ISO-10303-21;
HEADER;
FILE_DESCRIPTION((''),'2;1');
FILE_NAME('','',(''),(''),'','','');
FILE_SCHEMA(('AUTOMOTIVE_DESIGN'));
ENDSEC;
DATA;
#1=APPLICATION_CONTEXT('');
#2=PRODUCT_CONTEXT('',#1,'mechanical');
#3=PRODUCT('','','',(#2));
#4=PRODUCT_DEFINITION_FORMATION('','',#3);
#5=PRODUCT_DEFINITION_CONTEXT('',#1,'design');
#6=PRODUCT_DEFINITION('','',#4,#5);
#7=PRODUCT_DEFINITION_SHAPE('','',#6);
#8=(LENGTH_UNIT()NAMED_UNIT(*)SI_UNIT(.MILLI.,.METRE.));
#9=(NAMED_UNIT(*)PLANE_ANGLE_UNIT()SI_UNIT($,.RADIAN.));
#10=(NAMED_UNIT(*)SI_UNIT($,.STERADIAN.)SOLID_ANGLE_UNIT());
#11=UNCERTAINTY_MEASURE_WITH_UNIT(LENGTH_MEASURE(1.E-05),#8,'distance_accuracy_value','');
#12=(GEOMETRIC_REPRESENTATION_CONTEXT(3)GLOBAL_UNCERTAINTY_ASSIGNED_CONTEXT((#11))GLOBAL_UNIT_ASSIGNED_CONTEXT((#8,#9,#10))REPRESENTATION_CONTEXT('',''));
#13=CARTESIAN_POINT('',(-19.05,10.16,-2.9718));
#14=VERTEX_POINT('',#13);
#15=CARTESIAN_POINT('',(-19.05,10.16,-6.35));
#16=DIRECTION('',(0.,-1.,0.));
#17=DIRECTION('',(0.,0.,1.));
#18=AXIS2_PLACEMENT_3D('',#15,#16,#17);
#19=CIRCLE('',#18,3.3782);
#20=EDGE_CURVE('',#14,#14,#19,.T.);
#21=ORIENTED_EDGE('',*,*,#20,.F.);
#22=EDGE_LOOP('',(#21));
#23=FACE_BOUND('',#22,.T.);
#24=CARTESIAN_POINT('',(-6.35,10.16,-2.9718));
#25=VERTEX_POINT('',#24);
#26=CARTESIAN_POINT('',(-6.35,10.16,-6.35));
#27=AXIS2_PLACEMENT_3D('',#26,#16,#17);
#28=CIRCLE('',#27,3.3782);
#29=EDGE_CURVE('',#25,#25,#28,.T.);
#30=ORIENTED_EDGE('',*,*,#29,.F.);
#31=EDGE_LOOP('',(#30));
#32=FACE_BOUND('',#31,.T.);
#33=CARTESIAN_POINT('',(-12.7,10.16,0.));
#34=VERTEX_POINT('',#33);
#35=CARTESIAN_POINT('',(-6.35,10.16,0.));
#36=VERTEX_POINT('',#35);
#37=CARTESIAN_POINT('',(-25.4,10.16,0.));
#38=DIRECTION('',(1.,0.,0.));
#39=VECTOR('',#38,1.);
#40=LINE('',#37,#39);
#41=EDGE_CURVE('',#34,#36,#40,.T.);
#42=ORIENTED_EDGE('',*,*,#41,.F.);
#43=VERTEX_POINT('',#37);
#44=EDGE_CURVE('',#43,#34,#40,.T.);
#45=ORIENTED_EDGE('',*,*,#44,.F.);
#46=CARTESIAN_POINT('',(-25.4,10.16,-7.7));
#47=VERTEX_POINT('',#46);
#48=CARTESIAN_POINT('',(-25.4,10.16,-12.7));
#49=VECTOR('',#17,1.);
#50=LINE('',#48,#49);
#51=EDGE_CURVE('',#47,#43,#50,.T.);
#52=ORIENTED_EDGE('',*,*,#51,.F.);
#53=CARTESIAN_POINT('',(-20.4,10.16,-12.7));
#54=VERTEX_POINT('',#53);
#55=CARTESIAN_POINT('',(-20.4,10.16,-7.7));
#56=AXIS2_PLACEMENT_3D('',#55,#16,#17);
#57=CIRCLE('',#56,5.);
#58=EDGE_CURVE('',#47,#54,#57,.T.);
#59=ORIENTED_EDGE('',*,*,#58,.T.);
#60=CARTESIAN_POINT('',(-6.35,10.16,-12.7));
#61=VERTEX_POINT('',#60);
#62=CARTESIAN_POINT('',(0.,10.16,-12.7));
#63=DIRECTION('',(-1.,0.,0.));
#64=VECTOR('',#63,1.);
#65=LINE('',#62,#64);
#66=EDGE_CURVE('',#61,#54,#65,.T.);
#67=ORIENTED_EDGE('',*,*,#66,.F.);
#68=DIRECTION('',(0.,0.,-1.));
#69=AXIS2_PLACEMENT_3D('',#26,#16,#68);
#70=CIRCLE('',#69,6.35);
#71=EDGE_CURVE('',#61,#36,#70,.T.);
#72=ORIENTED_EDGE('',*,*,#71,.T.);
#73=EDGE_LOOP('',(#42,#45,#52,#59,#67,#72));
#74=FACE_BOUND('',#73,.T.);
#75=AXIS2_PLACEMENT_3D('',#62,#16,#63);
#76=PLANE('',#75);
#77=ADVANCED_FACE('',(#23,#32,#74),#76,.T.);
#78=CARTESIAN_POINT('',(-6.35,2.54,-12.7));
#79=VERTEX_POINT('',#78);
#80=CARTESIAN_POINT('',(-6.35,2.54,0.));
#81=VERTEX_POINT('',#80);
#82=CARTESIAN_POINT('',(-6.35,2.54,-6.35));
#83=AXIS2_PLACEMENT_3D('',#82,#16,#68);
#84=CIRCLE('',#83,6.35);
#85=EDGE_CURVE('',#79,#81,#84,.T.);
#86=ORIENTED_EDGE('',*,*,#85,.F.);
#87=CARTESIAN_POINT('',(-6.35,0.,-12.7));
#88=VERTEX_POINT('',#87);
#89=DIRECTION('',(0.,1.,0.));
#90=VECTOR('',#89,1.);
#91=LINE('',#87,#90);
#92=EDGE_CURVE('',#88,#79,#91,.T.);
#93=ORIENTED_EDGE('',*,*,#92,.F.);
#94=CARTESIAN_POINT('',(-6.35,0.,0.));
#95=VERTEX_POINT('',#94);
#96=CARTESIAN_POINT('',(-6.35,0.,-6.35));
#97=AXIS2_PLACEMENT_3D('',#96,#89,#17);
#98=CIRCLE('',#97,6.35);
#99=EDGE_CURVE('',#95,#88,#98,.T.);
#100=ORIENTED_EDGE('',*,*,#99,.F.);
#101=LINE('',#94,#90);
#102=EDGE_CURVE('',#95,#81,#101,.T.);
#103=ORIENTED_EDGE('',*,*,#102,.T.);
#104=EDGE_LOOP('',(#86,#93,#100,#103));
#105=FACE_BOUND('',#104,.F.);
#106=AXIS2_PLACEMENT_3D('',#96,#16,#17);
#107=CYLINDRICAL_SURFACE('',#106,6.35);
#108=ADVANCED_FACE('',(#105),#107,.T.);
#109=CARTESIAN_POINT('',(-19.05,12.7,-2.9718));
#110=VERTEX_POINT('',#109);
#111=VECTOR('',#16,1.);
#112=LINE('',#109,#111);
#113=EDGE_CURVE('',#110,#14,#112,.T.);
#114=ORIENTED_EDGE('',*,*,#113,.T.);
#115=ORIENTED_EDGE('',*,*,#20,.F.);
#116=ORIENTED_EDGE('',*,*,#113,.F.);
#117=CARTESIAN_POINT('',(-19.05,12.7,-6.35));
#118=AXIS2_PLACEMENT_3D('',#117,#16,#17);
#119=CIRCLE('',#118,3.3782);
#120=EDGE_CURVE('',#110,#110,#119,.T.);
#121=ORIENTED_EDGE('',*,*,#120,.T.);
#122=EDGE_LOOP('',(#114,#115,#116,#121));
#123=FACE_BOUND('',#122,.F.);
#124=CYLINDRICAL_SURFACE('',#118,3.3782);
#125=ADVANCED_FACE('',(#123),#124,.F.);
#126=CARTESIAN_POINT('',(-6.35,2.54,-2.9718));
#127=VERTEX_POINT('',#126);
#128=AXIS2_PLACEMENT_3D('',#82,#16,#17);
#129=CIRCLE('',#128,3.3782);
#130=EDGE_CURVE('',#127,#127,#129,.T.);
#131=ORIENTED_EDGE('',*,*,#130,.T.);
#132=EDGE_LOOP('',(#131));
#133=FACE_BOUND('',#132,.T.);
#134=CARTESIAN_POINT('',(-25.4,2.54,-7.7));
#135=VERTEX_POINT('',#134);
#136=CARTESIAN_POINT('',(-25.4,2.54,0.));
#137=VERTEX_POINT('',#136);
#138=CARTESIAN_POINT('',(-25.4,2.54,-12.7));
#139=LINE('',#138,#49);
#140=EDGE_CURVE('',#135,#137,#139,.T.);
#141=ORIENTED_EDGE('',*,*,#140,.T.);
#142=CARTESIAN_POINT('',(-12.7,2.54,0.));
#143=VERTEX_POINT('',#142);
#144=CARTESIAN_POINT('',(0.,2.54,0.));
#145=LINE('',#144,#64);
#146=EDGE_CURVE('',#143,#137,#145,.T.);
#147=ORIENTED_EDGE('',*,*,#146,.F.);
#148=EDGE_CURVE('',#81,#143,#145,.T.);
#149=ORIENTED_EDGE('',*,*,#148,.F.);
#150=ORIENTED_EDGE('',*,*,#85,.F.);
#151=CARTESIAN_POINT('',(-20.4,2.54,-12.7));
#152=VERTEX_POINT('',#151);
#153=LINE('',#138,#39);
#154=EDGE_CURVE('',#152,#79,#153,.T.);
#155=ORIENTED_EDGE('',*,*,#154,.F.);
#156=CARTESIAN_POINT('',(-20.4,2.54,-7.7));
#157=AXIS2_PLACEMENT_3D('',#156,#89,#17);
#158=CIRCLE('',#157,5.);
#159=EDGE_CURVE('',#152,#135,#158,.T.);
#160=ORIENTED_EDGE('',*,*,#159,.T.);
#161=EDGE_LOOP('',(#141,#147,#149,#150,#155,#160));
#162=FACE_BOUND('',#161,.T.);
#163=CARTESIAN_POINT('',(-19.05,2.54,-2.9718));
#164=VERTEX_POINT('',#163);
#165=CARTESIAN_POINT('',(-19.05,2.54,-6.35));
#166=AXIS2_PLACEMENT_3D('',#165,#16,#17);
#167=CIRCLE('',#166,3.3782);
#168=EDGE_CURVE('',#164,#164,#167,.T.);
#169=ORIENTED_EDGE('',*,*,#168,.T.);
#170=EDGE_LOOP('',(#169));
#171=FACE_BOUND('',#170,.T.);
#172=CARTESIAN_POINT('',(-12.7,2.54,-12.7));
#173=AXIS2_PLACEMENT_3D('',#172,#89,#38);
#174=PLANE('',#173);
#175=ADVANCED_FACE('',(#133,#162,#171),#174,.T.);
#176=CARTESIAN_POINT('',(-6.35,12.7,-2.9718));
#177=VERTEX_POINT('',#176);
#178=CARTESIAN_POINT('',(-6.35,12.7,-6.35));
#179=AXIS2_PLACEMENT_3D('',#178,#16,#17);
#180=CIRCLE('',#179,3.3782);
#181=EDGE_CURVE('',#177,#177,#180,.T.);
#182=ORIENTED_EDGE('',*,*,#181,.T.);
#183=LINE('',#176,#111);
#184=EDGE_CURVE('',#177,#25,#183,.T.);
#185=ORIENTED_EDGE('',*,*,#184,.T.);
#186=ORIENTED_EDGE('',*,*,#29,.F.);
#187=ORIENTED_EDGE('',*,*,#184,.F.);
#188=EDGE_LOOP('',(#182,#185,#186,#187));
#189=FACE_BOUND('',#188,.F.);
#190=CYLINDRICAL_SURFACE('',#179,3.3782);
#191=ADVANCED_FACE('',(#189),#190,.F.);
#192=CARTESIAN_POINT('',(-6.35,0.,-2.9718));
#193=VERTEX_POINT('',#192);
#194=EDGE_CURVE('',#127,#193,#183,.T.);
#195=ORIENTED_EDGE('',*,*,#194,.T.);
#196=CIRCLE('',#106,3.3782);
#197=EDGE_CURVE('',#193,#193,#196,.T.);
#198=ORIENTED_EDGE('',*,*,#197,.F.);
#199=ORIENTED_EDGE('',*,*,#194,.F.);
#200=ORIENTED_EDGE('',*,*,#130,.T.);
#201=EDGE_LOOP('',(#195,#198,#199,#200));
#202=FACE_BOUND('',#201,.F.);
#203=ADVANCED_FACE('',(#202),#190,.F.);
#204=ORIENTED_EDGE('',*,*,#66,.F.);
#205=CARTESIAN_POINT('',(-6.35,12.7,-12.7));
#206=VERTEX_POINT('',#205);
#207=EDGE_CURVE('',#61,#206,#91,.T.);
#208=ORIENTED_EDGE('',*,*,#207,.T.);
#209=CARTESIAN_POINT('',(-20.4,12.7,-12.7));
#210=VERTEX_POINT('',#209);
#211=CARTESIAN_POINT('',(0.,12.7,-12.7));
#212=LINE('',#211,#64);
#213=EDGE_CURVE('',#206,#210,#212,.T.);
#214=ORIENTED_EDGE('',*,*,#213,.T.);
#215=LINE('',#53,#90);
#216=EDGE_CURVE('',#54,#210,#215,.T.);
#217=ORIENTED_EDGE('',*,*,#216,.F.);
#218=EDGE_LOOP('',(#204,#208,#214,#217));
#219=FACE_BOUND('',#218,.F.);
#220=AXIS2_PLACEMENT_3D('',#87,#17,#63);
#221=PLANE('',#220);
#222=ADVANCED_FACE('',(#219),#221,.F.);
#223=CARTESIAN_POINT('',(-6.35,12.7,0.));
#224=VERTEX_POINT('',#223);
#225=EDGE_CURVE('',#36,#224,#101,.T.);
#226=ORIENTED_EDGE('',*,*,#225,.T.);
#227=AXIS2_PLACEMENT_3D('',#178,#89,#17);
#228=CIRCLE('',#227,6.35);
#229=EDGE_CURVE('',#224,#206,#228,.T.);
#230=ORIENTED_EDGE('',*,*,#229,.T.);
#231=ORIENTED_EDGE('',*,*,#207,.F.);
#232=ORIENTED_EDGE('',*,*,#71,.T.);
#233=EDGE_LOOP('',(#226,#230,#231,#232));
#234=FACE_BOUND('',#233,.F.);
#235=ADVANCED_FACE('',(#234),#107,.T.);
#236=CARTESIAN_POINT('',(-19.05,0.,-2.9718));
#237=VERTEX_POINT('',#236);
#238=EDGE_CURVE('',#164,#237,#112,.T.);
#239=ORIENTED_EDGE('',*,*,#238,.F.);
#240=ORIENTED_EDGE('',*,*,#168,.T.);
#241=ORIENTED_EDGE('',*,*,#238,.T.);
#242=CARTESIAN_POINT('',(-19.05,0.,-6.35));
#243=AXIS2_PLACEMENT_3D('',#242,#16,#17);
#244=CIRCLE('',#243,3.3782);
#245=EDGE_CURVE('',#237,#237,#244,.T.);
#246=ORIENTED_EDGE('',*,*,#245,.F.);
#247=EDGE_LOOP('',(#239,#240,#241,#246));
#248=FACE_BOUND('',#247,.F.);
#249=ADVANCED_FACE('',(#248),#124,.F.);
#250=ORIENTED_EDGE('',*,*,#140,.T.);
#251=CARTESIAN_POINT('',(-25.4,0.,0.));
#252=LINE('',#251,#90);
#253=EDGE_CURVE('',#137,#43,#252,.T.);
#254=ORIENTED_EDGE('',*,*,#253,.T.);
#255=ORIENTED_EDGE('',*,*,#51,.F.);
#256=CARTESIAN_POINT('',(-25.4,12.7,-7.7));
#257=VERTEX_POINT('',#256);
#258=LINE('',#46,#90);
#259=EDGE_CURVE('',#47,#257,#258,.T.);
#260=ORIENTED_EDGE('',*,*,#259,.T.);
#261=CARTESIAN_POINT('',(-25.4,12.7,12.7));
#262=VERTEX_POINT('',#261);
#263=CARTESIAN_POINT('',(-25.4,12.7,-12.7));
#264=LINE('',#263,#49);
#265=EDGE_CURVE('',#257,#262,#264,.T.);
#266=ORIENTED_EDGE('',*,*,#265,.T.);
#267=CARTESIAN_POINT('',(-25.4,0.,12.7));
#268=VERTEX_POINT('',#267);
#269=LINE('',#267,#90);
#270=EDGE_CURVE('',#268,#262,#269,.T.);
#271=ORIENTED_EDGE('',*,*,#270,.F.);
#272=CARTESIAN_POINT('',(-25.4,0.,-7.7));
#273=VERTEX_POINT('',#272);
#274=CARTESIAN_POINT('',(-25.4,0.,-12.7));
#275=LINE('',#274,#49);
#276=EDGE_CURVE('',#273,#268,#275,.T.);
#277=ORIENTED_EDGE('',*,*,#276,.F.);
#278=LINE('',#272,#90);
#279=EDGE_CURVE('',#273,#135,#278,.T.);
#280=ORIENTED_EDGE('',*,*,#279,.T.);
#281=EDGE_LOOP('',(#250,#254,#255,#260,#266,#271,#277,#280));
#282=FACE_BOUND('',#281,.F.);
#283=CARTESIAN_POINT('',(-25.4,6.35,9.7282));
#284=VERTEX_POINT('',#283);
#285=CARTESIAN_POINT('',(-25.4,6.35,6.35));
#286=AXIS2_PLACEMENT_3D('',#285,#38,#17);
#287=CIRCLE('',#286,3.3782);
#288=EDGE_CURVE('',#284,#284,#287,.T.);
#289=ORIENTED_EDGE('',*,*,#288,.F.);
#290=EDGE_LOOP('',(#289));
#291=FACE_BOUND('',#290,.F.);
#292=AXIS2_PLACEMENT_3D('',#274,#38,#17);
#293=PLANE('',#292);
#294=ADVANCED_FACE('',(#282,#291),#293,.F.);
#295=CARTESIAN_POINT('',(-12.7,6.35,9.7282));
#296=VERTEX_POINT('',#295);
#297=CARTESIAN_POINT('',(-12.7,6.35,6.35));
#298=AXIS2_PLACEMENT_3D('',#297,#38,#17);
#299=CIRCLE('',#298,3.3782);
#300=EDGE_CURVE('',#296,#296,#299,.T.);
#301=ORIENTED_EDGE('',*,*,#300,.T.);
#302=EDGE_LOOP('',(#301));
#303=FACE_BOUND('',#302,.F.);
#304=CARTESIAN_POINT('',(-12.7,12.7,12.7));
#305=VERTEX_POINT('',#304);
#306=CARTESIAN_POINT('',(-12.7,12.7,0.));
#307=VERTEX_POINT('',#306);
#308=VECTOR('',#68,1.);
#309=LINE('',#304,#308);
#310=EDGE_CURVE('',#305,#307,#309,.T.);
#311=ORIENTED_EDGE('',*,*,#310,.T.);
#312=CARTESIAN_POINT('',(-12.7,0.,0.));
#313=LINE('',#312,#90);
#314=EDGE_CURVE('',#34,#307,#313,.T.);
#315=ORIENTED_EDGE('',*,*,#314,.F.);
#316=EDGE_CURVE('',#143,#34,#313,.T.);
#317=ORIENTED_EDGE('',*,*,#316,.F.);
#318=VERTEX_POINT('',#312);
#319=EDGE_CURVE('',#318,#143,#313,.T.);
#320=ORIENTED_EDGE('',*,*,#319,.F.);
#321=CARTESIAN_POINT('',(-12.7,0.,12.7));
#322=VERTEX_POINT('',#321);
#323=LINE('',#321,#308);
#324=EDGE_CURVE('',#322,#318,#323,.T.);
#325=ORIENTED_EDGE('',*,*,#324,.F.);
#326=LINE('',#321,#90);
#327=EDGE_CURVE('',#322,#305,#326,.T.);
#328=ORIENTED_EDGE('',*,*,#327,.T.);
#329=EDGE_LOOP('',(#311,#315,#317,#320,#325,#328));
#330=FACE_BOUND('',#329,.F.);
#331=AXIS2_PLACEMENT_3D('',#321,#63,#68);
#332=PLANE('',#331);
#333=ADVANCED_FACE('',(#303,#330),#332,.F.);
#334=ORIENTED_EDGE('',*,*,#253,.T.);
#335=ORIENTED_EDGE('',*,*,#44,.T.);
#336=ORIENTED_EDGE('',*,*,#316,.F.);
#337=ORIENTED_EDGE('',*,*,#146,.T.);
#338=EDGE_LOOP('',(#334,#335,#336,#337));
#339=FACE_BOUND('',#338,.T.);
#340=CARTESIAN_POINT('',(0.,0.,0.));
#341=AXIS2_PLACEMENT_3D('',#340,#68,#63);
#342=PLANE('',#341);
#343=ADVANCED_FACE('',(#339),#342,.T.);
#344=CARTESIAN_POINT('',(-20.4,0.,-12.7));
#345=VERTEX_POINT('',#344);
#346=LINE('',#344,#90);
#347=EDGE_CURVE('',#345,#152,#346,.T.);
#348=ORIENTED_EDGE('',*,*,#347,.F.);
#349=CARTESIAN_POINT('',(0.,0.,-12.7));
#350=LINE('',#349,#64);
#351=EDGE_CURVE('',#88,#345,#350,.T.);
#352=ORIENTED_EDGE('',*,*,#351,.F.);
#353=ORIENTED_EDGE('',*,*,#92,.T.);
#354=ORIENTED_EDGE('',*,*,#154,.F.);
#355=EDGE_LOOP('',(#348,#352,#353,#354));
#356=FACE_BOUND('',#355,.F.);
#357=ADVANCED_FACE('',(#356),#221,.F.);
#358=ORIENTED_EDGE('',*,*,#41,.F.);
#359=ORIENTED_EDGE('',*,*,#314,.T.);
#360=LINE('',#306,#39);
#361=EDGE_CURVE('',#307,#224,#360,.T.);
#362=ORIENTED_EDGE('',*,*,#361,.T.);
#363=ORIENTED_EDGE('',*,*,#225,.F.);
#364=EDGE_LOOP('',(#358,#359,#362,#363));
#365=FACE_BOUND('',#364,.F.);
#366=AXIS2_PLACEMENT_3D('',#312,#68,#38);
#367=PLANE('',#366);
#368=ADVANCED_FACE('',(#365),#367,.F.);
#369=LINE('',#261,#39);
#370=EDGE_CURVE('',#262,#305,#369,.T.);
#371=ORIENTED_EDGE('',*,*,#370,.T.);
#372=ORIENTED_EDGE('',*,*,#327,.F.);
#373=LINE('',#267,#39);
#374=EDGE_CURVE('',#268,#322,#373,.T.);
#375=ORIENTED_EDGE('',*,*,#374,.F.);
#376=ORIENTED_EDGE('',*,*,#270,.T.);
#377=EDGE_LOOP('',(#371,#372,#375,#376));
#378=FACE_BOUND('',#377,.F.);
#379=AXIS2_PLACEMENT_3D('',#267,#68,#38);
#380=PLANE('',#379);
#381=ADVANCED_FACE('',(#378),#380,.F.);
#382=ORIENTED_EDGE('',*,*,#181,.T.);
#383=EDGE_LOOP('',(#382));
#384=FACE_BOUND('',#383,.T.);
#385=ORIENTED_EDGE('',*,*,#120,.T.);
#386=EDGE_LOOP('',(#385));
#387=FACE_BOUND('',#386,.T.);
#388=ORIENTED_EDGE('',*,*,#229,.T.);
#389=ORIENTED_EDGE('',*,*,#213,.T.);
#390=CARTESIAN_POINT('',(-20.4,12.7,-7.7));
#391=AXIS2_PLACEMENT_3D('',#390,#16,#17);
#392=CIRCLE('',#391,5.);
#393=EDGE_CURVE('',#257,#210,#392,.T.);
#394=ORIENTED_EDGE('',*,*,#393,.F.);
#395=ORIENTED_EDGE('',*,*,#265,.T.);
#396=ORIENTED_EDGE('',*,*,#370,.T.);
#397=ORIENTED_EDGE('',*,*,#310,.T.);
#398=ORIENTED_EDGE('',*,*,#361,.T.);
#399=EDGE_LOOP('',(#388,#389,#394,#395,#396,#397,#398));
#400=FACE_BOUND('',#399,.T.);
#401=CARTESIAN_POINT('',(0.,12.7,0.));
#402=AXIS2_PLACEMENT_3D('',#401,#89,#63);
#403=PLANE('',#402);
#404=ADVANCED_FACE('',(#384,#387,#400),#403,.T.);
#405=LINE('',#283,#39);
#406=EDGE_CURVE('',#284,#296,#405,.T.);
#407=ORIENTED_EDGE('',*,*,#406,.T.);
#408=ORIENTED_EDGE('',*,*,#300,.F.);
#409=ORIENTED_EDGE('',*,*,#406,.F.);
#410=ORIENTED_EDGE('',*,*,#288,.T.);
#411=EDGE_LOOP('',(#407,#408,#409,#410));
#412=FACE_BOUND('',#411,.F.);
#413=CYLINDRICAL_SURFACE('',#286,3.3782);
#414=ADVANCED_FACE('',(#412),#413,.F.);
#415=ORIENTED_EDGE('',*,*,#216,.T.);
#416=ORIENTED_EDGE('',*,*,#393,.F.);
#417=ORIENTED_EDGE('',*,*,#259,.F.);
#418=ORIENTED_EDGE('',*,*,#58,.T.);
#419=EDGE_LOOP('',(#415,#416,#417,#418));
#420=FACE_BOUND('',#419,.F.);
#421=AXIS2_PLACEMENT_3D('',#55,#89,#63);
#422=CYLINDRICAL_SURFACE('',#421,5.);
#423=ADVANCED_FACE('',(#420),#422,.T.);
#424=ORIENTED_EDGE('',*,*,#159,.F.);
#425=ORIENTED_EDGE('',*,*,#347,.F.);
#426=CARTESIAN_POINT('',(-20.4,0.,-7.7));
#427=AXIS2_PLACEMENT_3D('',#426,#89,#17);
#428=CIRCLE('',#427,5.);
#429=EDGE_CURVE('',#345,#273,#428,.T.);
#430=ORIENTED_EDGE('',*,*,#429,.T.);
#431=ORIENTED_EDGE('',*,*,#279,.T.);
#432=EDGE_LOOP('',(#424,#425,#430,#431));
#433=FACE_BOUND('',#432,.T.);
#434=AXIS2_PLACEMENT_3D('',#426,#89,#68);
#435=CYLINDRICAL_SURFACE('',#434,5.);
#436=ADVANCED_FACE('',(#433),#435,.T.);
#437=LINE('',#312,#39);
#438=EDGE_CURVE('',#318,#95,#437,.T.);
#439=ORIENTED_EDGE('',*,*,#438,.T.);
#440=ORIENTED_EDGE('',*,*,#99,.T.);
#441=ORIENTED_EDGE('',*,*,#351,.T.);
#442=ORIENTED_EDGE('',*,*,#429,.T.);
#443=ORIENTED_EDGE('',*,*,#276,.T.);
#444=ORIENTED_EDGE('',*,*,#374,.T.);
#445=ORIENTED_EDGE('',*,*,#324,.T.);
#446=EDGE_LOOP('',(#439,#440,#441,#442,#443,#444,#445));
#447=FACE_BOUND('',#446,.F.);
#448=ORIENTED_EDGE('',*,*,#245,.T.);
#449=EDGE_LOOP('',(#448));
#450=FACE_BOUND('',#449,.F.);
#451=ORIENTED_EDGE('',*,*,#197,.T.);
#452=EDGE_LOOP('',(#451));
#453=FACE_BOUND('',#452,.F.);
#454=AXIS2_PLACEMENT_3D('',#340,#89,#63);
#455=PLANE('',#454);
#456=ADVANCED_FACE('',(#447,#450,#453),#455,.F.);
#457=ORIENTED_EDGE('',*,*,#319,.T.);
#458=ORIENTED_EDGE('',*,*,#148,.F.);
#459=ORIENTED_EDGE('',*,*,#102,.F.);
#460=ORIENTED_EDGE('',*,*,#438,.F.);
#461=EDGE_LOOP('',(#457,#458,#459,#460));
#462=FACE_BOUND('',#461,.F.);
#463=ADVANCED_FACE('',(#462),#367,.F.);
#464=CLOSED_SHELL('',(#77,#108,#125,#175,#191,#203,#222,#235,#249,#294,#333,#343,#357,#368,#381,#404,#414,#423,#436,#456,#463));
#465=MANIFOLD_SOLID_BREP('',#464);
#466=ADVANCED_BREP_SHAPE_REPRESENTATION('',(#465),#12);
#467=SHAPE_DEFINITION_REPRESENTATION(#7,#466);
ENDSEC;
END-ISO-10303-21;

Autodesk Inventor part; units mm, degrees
ref_plane "YZ Plane" through (0, 0, 0) normal (1, 0, 0) x (0, 1, 0)
ref_plane "XZ Plane" through (0, 0, 0) normal (0, 1, 0) x (-1, 0, 0)
ref_plane "XY Plane" through (0, 0, 0) normal (0, 0, 1) x (1, 0, 0)
sketch "Sketch1" plane through (0, 0, 0) normal (0, 1, 0) x (-1, 0, 0)
  line L0 (0, 0) -> (0, -12.7)
  line L1 (0, -12.7) -> (25.4, -12.7)
  line L2 (25.4, -12.7) -> (25.4, 12.7)
  line L3 (25.4, 12.7) -> (12.7, 12.7)
  line L4 (12.7, 12.7) -> (12.7, 0)
  line L5 (12.7, 0) -> (0, 0)
  arc A0 (6.35, 0) -> (6.35, -12.7) centre (6.35, -6.35) ccw
  dimension "d0" = 12.7
  dimension "d1" = 25.4
  dimension "d2" = 25.4
  dimension "d3" = 12.7
extrude "Extrusion1" add sketch "Sketch1" along normal blind 12.7 contours A0 L5 L4 L3 L2 L1
sketch "Sketch2" plane through (-25.4, 0, -12.7) normal (-1, 0, 0) x (0, 0, 1)
  line L0 (25.4, 0) -> (25.4, 12.7) projected
  point P0 (12.7, 0)
  point P1 (19.05, 6.35)
  point P2 (25.4, 6.35)
  dimension "d6" = 6.35
sketch "Sketch3" plane through (0, 0, -12.7) normal (0, 0, -1) x (-1, 0, 0)
  line L0 (0, 0) -> (0, 12.7) projected
  line L1 (12.7, 0) -> (12.7, 12.7) projected
  line L2 (0, 10.16) -> (12.7, 10.16)
  line L3 (12.7, 10.16) -> (12.7, 2.54)
  line L4 (12.7, 2.54) -> (0, 2.54)
  line L5 (0, 2.54) -> (0, 10.16)
  line L6 (25.4, 0) -> (25.4, 12.7) projected
  line L7 (12.7, 2.54) -> (25.4, 2.54)
  line L8 (25.4, 2.54) -> (25.4, 10.16)
  line L9 (25.4, 10.16) -> (12.7, 10.16)
  line L10 (12.7, 10.16) -> (12.7, 2.54)
  point P0 (12.7, 6.35)
  point P1 (0, 2.54)
  dimension "d15" = 7.62
extrude "Extrusion2" cut sketch "Sketch3" against normal blind 12.7
sketch "Sketch4" plane through (0, 12.7, 0) normal (0, 1, 0) x (1, 0, 0)
  line L0 (0, 0) -> (0, 12.7) projected
  line L1 (-12.7, 0) -> (0, 0) projected
  line L2 (-12.7, -12.7) -> (-12.7, 0) projected
  line L3 (-12.7, 0) -> (-12.7, 12.7)
  point P0 (-6.35, 6.35)
  point P1 (0, 6.35)
  point P2 (-6.35, 0)
  point P3 (-19.05, 6.35)
hole "Hole2" at (-6.35, 12.7, -6.35) at (-19.05, 12.7, -6.35) direction (0, -1, 0) diameter 6.7564 depth 12.7 tip angle 118 clearance for "Flat Head Machine Screw (82)" size "1/4" standard "Ansi Unified Screw Threads"
hole "Hole3" at (-25.4, 6.35, 6.35) direction (1, 0, 0) diameter 6.7564 depth 12.7 tip angle 118 clearance for "Flat Head Machine Screw (82)" size "1/4" standard "Ansi Unified Screw Threads"
ref_plane "Work Plane1" through (-6.35, 12.7, 0) normal (1, 0, 0) x (0, 0, -1)
fillet "Fillet1" radius 5 2 edges at (-25.4, 11.43, -12.7) (-25.4, 1.27, -12.7)
properties part number "Locker"
